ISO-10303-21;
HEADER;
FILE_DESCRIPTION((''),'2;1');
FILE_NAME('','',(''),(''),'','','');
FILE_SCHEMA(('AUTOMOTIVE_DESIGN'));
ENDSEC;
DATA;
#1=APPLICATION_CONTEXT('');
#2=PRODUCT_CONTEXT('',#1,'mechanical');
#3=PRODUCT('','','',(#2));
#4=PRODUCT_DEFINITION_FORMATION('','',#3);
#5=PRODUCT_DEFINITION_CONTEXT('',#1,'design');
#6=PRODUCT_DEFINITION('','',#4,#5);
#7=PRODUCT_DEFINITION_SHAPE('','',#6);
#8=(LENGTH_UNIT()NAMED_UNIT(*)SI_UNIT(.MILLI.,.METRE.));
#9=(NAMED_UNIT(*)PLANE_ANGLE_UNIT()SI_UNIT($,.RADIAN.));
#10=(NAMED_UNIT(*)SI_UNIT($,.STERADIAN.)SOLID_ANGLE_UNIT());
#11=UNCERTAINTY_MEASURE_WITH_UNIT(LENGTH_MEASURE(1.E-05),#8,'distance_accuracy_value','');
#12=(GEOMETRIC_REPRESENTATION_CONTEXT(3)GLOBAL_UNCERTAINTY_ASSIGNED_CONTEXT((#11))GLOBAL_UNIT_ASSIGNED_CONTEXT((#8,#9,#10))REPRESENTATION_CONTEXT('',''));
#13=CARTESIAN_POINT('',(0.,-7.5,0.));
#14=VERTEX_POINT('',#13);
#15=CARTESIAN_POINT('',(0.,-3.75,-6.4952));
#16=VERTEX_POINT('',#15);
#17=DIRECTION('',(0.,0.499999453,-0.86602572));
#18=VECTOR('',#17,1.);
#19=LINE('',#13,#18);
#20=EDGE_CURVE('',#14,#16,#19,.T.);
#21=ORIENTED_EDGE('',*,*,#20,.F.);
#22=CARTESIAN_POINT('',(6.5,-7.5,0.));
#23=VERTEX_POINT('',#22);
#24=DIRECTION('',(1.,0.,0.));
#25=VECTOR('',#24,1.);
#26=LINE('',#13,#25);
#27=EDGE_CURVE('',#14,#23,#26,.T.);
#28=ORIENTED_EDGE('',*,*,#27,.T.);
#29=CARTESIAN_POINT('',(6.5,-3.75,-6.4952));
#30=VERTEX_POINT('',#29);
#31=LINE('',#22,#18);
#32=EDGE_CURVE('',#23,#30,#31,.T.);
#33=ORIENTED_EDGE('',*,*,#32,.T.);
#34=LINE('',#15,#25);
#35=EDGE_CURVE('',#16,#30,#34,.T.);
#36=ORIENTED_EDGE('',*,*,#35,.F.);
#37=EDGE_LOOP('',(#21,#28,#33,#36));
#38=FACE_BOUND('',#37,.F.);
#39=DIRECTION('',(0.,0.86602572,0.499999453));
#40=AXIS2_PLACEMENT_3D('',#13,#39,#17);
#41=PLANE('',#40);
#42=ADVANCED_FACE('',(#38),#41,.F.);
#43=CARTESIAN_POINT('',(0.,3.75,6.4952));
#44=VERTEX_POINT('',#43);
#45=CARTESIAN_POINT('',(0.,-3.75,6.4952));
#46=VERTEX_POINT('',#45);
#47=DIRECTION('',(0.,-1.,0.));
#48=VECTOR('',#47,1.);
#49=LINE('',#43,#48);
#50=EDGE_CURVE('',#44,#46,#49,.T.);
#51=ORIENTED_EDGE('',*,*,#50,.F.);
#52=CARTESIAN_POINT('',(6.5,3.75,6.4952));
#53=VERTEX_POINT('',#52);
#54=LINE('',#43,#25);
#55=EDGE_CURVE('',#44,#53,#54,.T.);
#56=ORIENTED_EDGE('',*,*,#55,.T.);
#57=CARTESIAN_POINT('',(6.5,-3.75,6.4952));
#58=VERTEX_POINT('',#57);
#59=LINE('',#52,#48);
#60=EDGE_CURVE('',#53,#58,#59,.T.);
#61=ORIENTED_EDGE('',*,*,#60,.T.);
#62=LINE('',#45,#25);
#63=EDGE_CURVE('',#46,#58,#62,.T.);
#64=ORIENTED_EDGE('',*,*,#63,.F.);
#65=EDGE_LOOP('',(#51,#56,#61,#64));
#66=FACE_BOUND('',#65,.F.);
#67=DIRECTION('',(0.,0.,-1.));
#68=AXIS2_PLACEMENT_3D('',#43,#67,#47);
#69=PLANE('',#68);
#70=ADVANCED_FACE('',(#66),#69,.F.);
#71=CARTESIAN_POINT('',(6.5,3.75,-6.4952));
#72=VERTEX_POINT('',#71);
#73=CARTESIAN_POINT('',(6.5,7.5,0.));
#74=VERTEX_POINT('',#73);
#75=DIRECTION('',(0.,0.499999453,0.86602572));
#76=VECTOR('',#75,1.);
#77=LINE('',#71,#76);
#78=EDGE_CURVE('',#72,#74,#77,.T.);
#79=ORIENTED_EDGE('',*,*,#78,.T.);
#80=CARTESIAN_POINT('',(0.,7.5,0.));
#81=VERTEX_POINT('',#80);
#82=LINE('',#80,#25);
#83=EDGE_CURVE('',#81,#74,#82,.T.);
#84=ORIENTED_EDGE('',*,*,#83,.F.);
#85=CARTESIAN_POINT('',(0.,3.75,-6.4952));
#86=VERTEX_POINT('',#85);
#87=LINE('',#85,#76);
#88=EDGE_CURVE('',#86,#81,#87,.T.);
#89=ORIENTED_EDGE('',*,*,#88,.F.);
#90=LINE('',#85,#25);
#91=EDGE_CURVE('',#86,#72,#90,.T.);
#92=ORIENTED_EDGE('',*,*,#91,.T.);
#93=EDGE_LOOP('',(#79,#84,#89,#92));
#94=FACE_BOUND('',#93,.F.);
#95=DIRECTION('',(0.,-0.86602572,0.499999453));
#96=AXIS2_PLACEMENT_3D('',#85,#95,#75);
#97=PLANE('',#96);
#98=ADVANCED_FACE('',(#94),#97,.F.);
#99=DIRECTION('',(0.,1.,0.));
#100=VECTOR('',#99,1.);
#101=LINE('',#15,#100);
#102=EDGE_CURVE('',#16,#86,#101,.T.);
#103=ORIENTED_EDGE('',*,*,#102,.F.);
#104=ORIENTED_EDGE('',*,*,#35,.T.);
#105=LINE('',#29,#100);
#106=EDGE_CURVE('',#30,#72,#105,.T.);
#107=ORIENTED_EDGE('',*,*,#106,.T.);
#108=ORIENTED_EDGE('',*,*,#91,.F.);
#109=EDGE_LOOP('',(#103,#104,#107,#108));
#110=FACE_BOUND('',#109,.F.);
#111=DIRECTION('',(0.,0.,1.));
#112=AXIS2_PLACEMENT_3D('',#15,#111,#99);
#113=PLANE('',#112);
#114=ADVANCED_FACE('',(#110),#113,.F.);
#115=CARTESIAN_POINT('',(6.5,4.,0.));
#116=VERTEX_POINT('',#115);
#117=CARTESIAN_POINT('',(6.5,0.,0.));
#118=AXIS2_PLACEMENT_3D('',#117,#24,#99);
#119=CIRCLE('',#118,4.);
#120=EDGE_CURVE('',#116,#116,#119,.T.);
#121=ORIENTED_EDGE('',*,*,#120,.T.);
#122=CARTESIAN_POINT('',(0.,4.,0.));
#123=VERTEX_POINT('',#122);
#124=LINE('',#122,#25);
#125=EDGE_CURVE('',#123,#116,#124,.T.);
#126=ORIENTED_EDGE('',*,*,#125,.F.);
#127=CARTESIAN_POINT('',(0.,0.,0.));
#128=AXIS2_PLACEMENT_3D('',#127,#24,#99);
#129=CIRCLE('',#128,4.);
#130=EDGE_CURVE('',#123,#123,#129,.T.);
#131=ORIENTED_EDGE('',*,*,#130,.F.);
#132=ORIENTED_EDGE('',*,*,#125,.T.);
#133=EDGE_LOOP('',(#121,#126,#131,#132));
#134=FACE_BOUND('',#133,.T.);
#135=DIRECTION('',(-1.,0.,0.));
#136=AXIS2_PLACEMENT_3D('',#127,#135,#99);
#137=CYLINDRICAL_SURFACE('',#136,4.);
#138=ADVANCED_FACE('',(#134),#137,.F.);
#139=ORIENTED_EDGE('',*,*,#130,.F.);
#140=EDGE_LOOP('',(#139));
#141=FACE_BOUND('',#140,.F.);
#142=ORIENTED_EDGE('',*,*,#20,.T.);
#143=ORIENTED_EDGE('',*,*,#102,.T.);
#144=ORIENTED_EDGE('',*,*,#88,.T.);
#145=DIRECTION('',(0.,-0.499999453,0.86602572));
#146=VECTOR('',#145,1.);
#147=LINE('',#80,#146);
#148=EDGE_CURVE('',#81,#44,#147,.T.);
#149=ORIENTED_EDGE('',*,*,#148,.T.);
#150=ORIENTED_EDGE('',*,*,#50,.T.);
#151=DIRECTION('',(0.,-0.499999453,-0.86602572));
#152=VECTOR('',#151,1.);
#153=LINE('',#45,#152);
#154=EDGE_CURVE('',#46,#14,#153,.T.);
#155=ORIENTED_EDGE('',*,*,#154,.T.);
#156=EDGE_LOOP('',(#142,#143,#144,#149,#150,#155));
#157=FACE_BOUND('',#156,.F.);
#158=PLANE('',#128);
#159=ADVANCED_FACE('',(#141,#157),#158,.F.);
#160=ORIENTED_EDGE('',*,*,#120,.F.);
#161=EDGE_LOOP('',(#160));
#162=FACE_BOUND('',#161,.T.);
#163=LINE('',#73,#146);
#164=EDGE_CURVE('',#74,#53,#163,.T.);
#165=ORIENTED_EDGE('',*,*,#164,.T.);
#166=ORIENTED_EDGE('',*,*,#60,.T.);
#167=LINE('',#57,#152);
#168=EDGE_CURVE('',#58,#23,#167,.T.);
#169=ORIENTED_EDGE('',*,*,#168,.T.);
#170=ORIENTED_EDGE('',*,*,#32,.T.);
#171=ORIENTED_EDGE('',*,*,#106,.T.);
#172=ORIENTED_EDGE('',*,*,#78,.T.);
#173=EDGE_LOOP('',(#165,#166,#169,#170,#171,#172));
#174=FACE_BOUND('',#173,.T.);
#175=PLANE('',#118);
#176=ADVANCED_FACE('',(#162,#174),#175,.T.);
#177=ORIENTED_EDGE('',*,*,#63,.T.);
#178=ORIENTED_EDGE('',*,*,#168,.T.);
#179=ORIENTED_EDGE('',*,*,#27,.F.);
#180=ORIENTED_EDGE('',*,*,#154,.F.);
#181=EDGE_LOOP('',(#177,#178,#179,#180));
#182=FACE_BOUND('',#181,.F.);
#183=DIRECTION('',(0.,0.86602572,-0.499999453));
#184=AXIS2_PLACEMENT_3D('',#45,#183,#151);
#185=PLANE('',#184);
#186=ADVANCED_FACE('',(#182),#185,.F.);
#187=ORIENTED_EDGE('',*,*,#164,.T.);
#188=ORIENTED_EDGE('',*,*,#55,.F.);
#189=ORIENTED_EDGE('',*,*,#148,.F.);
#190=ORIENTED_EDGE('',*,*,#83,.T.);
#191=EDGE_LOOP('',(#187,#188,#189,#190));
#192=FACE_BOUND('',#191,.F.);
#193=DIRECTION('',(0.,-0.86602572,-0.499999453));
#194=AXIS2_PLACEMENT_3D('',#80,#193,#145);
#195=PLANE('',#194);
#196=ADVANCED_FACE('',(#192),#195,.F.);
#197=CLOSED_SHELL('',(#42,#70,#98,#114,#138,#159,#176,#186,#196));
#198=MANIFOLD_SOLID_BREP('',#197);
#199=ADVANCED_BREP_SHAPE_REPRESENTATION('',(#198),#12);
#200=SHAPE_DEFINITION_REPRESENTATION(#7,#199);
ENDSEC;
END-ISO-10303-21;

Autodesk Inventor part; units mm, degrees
ref_plane "YZ Plane" through (0, 0, 0) normal (1, 0, 0) x (0, 1, 0)
ref_plane "XZ Plane" through (0, 0, 0) normal (0, 1, 0) x (-1, 0, 0)
ref_plane "XY Plane" through (0, 0, 0) normal (0, 0, 1) x (1, 0, 0)
sketch "スケッチ1" plane through (0, 0, 0) normal (1, 0, 0) x (0, 1, 0)
  circle A0 centre (0, 0) radius 7.5
  line L0 (7.5, 0) -> (3.75, 6.4952)
  line L1 (3.75, 6.4952) -> (-3.75, 6.4952)
  line L2 (-3.75, 6.4952) -> (-7.5, 0)
  line L3 (-7.5, 0) -> (-3.75, -6.4952)
  line L4 (-3.75, -6.4952) -> (3.75, -6.4952)
  line L5 (3.75, -6.4952) -> (7.5, 0)
  circle A1 centre (0, 0) radius 4
  point P0 (3.75, 6.4952)
  point P1 (-3.75, -6.4952)
  dimension "d0" = 15
  dimension "d3" = 360
  dimension "d5" = 8
extrude "押し出し1" add sketch "スケッチ1" along normal blind 6.5 contours L5 L4 L3 L2 L1 L0
properties part number "8min-nut" material "アルミニウム 6061"
